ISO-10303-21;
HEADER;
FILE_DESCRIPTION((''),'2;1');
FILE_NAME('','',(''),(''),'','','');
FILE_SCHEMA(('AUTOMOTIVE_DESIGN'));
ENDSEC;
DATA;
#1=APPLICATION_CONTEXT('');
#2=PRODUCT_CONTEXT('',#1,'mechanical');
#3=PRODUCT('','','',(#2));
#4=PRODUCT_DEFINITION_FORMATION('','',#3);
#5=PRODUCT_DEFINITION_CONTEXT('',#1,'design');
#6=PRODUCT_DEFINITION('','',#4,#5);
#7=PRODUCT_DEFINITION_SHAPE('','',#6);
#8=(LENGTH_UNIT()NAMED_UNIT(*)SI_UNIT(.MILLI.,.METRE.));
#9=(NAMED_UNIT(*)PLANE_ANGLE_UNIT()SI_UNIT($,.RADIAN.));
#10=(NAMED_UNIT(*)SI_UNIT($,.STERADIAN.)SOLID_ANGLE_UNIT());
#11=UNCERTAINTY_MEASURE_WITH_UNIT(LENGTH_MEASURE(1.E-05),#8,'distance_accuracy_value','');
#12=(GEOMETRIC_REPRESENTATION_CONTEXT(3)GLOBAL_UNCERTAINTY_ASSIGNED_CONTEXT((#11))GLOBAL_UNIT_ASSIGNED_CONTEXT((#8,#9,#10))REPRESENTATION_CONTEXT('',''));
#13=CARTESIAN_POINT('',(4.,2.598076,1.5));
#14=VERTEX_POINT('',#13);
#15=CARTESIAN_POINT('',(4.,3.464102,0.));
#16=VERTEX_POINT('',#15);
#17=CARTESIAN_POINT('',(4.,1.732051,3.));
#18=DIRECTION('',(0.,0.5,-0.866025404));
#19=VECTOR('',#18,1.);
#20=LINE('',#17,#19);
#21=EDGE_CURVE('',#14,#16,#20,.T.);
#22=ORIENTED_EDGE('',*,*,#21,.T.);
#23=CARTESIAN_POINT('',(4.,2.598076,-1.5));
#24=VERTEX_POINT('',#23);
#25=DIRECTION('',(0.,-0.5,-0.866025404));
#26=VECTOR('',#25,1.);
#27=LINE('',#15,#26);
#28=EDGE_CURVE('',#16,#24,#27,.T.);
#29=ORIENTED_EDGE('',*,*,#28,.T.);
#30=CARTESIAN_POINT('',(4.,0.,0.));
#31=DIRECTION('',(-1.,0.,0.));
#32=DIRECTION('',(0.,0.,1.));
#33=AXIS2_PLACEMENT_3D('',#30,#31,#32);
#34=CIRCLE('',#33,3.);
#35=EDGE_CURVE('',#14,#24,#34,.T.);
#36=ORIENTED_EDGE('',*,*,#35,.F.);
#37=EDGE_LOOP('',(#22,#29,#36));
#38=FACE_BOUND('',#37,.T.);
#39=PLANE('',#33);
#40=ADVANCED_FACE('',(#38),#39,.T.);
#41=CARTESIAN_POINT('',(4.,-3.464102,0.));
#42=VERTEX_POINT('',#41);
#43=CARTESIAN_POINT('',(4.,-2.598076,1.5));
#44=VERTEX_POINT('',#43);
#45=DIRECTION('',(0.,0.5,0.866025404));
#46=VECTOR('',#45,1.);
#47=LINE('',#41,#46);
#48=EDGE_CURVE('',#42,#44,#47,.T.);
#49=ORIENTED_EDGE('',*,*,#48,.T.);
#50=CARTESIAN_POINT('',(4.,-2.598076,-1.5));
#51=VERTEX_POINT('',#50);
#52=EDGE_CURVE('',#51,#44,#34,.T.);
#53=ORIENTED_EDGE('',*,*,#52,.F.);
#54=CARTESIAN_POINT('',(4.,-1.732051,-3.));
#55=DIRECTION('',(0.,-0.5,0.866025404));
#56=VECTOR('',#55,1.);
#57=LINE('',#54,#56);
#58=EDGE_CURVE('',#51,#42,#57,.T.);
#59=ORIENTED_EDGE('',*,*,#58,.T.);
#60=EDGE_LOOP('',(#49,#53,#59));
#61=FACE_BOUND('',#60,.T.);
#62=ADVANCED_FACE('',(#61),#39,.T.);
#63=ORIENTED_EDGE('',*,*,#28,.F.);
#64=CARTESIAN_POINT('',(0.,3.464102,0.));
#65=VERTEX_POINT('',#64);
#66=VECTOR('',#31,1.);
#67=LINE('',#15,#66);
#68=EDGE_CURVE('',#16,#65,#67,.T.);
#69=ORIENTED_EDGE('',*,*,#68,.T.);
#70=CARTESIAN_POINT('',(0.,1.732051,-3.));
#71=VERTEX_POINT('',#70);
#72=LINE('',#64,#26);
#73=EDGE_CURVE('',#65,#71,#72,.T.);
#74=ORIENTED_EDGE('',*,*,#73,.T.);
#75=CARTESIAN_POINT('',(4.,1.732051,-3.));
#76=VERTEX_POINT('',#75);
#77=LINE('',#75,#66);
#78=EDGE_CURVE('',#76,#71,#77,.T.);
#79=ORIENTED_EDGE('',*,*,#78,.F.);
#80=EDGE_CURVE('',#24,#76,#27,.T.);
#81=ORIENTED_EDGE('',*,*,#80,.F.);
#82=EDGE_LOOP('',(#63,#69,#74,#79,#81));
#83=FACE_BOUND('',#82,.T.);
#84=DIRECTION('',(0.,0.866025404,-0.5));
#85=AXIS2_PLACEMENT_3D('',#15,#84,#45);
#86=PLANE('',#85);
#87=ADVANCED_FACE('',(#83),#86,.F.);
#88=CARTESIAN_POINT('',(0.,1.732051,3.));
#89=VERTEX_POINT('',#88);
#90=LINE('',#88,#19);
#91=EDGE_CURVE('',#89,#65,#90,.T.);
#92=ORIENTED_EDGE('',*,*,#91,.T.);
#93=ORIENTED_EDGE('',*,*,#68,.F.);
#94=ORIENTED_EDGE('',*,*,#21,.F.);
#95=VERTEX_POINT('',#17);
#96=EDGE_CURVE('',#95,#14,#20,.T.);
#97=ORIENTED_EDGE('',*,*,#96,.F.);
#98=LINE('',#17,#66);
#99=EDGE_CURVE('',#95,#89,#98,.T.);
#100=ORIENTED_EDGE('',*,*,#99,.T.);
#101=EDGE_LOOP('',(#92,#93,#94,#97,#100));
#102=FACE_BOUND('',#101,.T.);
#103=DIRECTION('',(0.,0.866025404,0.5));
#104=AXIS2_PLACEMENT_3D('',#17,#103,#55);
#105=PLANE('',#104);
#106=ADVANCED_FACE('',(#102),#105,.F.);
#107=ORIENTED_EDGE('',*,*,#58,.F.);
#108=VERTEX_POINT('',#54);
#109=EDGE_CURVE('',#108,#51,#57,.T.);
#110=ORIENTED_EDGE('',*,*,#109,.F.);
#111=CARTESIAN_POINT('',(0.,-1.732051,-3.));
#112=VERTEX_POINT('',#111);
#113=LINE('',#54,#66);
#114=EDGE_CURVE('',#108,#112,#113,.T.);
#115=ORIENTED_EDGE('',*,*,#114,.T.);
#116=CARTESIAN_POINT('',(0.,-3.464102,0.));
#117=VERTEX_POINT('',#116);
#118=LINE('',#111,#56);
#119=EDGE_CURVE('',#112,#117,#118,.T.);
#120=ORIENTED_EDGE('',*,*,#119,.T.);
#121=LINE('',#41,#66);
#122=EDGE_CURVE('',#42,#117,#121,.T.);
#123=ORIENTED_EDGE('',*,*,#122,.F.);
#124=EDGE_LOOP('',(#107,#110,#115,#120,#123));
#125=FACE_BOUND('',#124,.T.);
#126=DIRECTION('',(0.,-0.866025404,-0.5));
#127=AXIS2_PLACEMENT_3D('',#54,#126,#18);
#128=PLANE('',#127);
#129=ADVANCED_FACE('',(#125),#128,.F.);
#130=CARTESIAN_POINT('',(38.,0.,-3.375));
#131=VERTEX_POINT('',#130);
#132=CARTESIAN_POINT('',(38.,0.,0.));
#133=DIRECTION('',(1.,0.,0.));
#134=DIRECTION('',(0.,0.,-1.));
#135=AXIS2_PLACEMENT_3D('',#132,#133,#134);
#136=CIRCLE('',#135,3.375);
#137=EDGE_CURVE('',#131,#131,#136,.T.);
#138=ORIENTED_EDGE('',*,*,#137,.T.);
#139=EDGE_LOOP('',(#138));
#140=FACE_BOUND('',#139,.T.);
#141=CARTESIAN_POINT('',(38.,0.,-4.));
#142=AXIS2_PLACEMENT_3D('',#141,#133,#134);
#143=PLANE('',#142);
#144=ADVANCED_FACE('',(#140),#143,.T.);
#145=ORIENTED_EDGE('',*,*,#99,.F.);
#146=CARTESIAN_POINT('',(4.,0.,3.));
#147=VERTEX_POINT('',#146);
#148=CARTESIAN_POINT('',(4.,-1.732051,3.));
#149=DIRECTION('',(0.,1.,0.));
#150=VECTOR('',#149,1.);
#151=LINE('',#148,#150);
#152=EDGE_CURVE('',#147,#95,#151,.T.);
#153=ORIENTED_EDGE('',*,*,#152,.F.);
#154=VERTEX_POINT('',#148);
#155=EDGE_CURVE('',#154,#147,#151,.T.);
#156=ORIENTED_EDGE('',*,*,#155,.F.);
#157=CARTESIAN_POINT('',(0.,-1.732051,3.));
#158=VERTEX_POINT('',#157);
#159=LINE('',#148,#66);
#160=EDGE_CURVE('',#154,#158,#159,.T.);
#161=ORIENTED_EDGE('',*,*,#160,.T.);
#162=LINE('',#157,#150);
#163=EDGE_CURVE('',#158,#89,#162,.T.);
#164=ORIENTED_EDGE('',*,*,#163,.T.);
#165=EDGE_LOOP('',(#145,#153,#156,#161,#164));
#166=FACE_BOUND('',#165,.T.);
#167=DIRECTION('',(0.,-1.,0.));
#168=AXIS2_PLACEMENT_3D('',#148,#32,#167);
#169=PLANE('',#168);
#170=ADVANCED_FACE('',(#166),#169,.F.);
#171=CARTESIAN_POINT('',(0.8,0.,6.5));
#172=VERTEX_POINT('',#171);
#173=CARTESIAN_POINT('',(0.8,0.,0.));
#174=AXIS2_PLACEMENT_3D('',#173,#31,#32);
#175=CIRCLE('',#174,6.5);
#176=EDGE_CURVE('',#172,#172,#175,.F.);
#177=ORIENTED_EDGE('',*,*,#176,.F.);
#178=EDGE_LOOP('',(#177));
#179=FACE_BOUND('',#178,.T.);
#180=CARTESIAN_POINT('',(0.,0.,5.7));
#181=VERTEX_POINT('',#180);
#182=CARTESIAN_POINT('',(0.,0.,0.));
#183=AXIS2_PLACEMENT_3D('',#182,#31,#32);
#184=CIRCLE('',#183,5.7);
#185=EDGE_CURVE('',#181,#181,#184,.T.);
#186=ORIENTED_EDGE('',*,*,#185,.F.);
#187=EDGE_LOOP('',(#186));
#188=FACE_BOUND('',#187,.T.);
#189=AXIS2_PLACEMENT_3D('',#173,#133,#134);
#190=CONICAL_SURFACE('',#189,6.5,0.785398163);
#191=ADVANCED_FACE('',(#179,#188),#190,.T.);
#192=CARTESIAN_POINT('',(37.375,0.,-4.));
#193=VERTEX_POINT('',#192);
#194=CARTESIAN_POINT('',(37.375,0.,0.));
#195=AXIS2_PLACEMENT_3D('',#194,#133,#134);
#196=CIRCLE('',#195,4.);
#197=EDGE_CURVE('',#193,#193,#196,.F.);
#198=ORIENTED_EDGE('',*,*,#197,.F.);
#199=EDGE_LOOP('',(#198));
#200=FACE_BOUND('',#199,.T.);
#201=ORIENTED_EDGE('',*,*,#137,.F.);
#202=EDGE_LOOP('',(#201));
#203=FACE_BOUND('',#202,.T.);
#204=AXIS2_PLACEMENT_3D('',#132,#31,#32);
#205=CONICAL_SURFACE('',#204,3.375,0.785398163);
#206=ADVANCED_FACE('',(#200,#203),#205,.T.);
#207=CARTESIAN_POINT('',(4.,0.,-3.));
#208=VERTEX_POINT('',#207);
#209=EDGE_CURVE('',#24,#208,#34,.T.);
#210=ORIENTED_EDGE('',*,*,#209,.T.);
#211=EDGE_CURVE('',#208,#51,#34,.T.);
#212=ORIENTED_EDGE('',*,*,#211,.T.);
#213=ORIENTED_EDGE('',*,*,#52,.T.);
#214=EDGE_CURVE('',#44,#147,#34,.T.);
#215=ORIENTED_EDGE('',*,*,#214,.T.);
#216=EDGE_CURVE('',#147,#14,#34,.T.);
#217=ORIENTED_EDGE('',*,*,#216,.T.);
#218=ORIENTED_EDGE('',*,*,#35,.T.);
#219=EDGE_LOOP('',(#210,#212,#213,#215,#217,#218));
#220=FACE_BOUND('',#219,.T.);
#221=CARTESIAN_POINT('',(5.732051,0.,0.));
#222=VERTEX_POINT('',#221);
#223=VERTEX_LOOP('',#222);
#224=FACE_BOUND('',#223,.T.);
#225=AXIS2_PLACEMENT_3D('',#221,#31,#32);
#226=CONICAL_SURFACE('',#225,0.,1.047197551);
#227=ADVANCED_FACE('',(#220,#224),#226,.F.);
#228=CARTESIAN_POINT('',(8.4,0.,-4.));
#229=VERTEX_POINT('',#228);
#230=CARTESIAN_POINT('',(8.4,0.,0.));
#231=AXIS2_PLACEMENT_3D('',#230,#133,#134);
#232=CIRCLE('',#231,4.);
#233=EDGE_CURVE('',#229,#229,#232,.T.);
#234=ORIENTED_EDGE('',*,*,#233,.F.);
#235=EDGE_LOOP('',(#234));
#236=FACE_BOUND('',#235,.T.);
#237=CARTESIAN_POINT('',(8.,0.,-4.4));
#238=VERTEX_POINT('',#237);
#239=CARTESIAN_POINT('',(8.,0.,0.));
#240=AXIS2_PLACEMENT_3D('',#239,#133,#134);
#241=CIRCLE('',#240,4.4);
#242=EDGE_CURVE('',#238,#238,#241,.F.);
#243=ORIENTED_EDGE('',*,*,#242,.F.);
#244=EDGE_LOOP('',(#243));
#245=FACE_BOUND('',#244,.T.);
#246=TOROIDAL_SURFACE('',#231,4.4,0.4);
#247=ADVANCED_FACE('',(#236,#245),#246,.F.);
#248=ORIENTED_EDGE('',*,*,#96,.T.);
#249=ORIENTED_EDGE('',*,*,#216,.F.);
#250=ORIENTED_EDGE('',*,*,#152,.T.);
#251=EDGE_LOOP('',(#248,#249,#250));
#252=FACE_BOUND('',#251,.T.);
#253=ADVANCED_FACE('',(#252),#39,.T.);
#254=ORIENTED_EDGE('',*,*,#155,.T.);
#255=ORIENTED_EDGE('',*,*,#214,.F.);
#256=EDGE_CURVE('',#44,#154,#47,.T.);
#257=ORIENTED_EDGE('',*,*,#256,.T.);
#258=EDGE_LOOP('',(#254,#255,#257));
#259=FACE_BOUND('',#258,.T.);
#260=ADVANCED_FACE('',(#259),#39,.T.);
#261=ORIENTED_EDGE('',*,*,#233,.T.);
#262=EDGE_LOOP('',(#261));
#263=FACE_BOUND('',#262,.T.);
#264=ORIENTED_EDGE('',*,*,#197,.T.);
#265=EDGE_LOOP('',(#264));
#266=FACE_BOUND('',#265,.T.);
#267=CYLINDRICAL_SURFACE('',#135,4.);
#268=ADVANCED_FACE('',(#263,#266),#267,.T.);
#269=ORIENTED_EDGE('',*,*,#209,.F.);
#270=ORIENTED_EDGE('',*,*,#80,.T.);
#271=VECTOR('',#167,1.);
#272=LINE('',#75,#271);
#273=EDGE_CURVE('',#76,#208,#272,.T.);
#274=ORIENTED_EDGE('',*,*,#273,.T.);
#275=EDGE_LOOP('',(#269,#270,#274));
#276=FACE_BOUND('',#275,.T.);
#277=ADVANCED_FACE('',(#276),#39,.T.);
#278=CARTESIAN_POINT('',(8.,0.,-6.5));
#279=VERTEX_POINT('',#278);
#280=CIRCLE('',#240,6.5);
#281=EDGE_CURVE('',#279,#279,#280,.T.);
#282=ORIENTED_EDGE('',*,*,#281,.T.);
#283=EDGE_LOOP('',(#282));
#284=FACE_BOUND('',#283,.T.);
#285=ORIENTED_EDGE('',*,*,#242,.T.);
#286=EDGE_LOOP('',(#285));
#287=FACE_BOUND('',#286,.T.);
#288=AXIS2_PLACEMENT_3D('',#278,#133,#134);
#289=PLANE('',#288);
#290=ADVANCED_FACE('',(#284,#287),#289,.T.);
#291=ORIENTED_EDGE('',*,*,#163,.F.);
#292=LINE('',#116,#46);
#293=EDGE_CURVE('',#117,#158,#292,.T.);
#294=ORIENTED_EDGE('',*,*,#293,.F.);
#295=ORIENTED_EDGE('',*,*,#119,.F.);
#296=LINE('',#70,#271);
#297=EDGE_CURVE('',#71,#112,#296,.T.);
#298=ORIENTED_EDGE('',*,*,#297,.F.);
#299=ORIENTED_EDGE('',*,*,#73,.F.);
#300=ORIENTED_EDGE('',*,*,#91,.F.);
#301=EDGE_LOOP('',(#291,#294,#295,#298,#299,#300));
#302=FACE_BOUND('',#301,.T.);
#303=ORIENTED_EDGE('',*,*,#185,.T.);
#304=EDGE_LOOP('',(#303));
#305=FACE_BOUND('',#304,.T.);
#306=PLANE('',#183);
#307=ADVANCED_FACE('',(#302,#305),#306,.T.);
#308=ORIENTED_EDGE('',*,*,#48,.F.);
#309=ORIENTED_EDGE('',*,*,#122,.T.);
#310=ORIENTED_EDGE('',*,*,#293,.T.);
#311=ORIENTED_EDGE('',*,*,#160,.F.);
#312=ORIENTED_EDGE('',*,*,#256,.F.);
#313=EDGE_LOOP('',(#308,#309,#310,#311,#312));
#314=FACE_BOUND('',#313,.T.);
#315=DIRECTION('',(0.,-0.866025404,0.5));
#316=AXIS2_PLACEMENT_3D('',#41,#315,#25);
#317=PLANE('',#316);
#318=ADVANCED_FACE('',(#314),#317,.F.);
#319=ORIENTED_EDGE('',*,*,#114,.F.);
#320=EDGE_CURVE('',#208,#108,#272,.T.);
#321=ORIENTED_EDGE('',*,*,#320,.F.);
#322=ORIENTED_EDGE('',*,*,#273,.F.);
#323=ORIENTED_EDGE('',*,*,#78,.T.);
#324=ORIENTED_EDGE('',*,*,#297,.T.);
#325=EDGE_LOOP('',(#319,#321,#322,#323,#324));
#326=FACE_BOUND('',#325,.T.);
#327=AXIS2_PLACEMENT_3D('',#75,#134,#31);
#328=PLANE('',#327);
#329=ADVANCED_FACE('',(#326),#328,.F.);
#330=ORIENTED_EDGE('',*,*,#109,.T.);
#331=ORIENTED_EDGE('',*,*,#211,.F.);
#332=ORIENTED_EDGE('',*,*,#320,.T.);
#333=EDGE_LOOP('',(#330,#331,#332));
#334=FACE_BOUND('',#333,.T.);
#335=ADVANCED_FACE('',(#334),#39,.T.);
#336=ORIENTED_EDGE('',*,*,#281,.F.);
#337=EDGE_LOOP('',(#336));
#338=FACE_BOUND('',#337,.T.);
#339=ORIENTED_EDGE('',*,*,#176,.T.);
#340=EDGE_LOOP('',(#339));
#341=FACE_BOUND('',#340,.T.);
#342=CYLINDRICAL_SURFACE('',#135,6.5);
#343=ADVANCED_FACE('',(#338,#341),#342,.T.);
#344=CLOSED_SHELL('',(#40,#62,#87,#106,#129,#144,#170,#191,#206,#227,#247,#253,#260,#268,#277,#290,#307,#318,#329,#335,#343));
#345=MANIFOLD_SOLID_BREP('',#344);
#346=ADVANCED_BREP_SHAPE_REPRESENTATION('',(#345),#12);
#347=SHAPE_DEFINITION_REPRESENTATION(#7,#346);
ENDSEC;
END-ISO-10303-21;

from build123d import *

# Parameters (mm, degrees)
CHAMFER1_SIZE      = 0.625
CUT_EXTRUDE1_DEPTH = 4
CHAMFER2_SIZE      = 0.8
FILLET1_R          = 0.4


with BuildPart() as part:
    # Sketch1 → Revolve1 (revolve)
    with BuildSketch(Plane(origin=(0, 0, 0), x_dir=(1, 0, 0), z_dir=(0, 1, 0))):
        Polygon((0, 0), (0, 6.5), (8, 6.5), (8, 4), (38, 4), (38, 0), align=None)
    revolve(axis=Axis((38, 0, 0), (-1, 0, 0)))

    # Chamfer1
    chamfer1_edges = [part.edges().sort_by_distance(p)[0] for p in [
        (38, 0, 4),
    ]]
    chamfer(chamfer1_edges, length=CHAMFER1_SIZE)

    # Sketch3 → Cut-Revolve1 (revolve, cut)
    with BuildSketch(Plane(origin=(0, 0, 0), x_dir=(1, 0, 0), z_dir=(0, 1, 0)), mode=Mode.PRIVATE) as cut_revolve1_sk:
        Polygon((0, 0), (5.732050808, 0), (4, 3), (0, 3), align=None)
    revolve(cut_revolve1_sk.sketch.rotate(Axis((0, 0, 0), (1, 0, 0)), 180), axis=Axis((0, 0, 0), (1, 0, 0)), mode=Mode.SUBTRACT)

    # Sketch2 → Cut-Extrude1 (cut)
    with BuildSketch(Plane.ZY):
        Polygon((0, 3.464101615), (-3, 1.732050808), (-3, -1.732050808), (0, -3.464101615), (3, -1.732050808), (3, 1.732050808), align=None)
    extrude(amount=-CUT_EXTRUDE1_DEPTH, mode=Mode.SUBTRACT)

    # Chamfer2
    chamfer2_edges = [part.edges().sort_by_distance(p)[0] for p in [
        (0, 0, 6.5),
    ]]
    chamfer(chamfer2_edges, length=CHAMFER2_SIZE)

    # Fillet1
    fillet1_edges = [part.edges().sort_by_distance(p)[0] for p in [
        (8, 0, 4),
    ]]
    fillet(fillet1_edges, radius=FILLET1_R)


solid = part.part
